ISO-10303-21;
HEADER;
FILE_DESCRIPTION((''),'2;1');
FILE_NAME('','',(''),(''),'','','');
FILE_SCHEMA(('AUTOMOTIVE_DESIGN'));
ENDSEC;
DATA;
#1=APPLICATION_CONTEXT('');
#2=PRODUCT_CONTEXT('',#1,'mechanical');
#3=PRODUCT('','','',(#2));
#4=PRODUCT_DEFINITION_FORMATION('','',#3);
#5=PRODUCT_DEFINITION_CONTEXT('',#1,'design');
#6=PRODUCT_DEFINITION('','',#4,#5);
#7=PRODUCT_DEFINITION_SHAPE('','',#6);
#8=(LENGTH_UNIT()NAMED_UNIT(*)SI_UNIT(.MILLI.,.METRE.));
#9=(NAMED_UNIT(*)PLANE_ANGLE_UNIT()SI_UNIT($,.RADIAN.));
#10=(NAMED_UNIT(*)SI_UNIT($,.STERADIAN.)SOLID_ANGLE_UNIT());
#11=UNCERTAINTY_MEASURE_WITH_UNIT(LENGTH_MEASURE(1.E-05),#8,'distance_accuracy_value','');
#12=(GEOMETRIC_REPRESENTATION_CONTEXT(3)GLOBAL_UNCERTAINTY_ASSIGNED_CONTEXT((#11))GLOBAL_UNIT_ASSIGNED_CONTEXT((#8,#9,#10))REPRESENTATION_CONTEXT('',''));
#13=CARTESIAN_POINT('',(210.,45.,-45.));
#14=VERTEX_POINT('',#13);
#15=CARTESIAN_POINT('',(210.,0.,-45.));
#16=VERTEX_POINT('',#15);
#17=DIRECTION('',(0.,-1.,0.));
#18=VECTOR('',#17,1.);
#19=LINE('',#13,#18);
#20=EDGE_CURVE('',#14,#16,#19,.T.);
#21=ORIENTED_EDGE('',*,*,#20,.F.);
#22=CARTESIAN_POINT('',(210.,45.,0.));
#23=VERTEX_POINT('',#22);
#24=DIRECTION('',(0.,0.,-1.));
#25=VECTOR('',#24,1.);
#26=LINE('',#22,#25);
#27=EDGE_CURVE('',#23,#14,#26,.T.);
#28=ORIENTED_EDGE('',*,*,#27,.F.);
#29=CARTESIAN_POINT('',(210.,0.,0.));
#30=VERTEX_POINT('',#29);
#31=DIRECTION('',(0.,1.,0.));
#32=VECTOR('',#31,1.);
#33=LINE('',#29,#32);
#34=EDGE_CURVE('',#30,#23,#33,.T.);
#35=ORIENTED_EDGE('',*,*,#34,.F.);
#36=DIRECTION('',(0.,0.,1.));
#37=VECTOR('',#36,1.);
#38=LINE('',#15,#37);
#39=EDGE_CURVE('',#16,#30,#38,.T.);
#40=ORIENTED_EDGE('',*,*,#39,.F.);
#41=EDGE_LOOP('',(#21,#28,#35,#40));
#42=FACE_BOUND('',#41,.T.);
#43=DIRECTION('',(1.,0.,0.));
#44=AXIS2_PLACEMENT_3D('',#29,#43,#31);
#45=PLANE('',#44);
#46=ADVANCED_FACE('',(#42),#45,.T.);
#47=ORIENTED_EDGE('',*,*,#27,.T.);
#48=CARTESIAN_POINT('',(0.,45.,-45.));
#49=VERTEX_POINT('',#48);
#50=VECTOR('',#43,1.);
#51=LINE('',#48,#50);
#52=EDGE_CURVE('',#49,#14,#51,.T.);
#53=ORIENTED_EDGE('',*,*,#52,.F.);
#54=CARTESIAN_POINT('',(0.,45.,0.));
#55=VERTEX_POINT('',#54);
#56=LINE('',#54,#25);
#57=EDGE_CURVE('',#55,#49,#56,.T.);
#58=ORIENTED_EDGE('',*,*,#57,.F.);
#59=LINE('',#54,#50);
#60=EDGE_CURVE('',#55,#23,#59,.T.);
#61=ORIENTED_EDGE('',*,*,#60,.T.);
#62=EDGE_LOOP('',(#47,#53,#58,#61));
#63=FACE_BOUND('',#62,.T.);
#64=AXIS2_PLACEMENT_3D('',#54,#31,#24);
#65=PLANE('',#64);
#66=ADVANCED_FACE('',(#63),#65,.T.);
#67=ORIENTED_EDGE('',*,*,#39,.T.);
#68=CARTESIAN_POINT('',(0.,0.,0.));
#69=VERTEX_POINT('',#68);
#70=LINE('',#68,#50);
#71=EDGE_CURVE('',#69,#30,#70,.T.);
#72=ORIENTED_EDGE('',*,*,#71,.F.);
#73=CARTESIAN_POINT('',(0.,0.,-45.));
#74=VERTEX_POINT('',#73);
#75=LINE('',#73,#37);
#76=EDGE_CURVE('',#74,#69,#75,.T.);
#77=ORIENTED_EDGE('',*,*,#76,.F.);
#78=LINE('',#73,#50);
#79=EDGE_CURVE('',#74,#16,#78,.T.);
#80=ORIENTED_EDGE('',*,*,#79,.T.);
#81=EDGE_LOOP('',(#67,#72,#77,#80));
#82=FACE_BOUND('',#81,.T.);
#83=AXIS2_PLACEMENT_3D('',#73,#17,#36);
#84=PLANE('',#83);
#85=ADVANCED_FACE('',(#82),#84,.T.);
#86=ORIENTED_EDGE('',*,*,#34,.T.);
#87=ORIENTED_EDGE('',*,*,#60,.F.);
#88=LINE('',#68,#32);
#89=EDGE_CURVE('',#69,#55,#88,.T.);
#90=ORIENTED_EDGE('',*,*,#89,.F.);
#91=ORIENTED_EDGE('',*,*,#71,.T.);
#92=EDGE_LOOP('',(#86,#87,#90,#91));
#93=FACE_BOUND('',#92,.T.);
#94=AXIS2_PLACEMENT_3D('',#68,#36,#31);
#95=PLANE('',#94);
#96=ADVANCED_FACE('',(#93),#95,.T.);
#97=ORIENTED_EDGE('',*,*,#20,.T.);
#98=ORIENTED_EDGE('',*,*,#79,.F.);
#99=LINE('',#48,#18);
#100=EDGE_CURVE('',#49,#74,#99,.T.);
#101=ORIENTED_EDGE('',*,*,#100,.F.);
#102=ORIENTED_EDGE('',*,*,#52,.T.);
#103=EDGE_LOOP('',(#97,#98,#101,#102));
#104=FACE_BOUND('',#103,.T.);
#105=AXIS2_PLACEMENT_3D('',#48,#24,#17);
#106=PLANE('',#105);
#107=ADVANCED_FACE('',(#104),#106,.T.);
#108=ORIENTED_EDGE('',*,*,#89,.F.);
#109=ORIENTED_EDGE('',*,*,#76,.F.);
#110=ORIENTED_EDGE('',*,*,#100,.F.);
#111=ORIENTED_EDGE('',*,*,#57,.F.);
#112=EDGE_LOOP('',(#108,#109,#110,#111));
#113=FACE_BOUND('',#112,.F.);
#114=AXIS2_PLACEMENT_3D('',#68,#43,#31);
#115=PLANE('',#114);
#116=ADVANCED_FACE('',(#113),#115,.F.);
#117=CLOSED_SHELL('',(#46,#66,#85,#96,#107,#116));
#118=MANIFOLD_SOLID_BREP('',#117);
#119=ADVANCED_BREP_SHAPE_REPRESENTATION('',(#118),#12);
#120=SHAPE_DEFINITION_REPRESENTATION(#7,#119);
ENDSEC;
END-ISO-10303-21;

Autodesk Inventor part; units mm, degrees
ref_plane "YZ Plane" through (0, 0, 0) normal (1, 0, 0) x (0, 1, 0)
ref_plane "XZ Plane" through (0, 0, 0) normal (0, 1, 0) x (-1, 0, 0)
ref_plane "XY Plane" through (0, 0, 0) normal (0, 0, 1) x (1, 0, 0)
sketch "Sketch2" plane through (0, 0, 0) normal (1, 0, 0) x (0, 1, 0)
  line L0 (0, 0) -> (45, 0)
  line L1 (45, 0) -> (45, -45)
  line L2 (45, -45) -> (0, -45)
  line L3 (0, -45) -> (0, 0)
  dimension "d0" = 45
  dimension "d1" = 45
extrude "Extrusion1" add sketch "Sketch2" along normal blind 210
properties part number "shelfBeamSide"
